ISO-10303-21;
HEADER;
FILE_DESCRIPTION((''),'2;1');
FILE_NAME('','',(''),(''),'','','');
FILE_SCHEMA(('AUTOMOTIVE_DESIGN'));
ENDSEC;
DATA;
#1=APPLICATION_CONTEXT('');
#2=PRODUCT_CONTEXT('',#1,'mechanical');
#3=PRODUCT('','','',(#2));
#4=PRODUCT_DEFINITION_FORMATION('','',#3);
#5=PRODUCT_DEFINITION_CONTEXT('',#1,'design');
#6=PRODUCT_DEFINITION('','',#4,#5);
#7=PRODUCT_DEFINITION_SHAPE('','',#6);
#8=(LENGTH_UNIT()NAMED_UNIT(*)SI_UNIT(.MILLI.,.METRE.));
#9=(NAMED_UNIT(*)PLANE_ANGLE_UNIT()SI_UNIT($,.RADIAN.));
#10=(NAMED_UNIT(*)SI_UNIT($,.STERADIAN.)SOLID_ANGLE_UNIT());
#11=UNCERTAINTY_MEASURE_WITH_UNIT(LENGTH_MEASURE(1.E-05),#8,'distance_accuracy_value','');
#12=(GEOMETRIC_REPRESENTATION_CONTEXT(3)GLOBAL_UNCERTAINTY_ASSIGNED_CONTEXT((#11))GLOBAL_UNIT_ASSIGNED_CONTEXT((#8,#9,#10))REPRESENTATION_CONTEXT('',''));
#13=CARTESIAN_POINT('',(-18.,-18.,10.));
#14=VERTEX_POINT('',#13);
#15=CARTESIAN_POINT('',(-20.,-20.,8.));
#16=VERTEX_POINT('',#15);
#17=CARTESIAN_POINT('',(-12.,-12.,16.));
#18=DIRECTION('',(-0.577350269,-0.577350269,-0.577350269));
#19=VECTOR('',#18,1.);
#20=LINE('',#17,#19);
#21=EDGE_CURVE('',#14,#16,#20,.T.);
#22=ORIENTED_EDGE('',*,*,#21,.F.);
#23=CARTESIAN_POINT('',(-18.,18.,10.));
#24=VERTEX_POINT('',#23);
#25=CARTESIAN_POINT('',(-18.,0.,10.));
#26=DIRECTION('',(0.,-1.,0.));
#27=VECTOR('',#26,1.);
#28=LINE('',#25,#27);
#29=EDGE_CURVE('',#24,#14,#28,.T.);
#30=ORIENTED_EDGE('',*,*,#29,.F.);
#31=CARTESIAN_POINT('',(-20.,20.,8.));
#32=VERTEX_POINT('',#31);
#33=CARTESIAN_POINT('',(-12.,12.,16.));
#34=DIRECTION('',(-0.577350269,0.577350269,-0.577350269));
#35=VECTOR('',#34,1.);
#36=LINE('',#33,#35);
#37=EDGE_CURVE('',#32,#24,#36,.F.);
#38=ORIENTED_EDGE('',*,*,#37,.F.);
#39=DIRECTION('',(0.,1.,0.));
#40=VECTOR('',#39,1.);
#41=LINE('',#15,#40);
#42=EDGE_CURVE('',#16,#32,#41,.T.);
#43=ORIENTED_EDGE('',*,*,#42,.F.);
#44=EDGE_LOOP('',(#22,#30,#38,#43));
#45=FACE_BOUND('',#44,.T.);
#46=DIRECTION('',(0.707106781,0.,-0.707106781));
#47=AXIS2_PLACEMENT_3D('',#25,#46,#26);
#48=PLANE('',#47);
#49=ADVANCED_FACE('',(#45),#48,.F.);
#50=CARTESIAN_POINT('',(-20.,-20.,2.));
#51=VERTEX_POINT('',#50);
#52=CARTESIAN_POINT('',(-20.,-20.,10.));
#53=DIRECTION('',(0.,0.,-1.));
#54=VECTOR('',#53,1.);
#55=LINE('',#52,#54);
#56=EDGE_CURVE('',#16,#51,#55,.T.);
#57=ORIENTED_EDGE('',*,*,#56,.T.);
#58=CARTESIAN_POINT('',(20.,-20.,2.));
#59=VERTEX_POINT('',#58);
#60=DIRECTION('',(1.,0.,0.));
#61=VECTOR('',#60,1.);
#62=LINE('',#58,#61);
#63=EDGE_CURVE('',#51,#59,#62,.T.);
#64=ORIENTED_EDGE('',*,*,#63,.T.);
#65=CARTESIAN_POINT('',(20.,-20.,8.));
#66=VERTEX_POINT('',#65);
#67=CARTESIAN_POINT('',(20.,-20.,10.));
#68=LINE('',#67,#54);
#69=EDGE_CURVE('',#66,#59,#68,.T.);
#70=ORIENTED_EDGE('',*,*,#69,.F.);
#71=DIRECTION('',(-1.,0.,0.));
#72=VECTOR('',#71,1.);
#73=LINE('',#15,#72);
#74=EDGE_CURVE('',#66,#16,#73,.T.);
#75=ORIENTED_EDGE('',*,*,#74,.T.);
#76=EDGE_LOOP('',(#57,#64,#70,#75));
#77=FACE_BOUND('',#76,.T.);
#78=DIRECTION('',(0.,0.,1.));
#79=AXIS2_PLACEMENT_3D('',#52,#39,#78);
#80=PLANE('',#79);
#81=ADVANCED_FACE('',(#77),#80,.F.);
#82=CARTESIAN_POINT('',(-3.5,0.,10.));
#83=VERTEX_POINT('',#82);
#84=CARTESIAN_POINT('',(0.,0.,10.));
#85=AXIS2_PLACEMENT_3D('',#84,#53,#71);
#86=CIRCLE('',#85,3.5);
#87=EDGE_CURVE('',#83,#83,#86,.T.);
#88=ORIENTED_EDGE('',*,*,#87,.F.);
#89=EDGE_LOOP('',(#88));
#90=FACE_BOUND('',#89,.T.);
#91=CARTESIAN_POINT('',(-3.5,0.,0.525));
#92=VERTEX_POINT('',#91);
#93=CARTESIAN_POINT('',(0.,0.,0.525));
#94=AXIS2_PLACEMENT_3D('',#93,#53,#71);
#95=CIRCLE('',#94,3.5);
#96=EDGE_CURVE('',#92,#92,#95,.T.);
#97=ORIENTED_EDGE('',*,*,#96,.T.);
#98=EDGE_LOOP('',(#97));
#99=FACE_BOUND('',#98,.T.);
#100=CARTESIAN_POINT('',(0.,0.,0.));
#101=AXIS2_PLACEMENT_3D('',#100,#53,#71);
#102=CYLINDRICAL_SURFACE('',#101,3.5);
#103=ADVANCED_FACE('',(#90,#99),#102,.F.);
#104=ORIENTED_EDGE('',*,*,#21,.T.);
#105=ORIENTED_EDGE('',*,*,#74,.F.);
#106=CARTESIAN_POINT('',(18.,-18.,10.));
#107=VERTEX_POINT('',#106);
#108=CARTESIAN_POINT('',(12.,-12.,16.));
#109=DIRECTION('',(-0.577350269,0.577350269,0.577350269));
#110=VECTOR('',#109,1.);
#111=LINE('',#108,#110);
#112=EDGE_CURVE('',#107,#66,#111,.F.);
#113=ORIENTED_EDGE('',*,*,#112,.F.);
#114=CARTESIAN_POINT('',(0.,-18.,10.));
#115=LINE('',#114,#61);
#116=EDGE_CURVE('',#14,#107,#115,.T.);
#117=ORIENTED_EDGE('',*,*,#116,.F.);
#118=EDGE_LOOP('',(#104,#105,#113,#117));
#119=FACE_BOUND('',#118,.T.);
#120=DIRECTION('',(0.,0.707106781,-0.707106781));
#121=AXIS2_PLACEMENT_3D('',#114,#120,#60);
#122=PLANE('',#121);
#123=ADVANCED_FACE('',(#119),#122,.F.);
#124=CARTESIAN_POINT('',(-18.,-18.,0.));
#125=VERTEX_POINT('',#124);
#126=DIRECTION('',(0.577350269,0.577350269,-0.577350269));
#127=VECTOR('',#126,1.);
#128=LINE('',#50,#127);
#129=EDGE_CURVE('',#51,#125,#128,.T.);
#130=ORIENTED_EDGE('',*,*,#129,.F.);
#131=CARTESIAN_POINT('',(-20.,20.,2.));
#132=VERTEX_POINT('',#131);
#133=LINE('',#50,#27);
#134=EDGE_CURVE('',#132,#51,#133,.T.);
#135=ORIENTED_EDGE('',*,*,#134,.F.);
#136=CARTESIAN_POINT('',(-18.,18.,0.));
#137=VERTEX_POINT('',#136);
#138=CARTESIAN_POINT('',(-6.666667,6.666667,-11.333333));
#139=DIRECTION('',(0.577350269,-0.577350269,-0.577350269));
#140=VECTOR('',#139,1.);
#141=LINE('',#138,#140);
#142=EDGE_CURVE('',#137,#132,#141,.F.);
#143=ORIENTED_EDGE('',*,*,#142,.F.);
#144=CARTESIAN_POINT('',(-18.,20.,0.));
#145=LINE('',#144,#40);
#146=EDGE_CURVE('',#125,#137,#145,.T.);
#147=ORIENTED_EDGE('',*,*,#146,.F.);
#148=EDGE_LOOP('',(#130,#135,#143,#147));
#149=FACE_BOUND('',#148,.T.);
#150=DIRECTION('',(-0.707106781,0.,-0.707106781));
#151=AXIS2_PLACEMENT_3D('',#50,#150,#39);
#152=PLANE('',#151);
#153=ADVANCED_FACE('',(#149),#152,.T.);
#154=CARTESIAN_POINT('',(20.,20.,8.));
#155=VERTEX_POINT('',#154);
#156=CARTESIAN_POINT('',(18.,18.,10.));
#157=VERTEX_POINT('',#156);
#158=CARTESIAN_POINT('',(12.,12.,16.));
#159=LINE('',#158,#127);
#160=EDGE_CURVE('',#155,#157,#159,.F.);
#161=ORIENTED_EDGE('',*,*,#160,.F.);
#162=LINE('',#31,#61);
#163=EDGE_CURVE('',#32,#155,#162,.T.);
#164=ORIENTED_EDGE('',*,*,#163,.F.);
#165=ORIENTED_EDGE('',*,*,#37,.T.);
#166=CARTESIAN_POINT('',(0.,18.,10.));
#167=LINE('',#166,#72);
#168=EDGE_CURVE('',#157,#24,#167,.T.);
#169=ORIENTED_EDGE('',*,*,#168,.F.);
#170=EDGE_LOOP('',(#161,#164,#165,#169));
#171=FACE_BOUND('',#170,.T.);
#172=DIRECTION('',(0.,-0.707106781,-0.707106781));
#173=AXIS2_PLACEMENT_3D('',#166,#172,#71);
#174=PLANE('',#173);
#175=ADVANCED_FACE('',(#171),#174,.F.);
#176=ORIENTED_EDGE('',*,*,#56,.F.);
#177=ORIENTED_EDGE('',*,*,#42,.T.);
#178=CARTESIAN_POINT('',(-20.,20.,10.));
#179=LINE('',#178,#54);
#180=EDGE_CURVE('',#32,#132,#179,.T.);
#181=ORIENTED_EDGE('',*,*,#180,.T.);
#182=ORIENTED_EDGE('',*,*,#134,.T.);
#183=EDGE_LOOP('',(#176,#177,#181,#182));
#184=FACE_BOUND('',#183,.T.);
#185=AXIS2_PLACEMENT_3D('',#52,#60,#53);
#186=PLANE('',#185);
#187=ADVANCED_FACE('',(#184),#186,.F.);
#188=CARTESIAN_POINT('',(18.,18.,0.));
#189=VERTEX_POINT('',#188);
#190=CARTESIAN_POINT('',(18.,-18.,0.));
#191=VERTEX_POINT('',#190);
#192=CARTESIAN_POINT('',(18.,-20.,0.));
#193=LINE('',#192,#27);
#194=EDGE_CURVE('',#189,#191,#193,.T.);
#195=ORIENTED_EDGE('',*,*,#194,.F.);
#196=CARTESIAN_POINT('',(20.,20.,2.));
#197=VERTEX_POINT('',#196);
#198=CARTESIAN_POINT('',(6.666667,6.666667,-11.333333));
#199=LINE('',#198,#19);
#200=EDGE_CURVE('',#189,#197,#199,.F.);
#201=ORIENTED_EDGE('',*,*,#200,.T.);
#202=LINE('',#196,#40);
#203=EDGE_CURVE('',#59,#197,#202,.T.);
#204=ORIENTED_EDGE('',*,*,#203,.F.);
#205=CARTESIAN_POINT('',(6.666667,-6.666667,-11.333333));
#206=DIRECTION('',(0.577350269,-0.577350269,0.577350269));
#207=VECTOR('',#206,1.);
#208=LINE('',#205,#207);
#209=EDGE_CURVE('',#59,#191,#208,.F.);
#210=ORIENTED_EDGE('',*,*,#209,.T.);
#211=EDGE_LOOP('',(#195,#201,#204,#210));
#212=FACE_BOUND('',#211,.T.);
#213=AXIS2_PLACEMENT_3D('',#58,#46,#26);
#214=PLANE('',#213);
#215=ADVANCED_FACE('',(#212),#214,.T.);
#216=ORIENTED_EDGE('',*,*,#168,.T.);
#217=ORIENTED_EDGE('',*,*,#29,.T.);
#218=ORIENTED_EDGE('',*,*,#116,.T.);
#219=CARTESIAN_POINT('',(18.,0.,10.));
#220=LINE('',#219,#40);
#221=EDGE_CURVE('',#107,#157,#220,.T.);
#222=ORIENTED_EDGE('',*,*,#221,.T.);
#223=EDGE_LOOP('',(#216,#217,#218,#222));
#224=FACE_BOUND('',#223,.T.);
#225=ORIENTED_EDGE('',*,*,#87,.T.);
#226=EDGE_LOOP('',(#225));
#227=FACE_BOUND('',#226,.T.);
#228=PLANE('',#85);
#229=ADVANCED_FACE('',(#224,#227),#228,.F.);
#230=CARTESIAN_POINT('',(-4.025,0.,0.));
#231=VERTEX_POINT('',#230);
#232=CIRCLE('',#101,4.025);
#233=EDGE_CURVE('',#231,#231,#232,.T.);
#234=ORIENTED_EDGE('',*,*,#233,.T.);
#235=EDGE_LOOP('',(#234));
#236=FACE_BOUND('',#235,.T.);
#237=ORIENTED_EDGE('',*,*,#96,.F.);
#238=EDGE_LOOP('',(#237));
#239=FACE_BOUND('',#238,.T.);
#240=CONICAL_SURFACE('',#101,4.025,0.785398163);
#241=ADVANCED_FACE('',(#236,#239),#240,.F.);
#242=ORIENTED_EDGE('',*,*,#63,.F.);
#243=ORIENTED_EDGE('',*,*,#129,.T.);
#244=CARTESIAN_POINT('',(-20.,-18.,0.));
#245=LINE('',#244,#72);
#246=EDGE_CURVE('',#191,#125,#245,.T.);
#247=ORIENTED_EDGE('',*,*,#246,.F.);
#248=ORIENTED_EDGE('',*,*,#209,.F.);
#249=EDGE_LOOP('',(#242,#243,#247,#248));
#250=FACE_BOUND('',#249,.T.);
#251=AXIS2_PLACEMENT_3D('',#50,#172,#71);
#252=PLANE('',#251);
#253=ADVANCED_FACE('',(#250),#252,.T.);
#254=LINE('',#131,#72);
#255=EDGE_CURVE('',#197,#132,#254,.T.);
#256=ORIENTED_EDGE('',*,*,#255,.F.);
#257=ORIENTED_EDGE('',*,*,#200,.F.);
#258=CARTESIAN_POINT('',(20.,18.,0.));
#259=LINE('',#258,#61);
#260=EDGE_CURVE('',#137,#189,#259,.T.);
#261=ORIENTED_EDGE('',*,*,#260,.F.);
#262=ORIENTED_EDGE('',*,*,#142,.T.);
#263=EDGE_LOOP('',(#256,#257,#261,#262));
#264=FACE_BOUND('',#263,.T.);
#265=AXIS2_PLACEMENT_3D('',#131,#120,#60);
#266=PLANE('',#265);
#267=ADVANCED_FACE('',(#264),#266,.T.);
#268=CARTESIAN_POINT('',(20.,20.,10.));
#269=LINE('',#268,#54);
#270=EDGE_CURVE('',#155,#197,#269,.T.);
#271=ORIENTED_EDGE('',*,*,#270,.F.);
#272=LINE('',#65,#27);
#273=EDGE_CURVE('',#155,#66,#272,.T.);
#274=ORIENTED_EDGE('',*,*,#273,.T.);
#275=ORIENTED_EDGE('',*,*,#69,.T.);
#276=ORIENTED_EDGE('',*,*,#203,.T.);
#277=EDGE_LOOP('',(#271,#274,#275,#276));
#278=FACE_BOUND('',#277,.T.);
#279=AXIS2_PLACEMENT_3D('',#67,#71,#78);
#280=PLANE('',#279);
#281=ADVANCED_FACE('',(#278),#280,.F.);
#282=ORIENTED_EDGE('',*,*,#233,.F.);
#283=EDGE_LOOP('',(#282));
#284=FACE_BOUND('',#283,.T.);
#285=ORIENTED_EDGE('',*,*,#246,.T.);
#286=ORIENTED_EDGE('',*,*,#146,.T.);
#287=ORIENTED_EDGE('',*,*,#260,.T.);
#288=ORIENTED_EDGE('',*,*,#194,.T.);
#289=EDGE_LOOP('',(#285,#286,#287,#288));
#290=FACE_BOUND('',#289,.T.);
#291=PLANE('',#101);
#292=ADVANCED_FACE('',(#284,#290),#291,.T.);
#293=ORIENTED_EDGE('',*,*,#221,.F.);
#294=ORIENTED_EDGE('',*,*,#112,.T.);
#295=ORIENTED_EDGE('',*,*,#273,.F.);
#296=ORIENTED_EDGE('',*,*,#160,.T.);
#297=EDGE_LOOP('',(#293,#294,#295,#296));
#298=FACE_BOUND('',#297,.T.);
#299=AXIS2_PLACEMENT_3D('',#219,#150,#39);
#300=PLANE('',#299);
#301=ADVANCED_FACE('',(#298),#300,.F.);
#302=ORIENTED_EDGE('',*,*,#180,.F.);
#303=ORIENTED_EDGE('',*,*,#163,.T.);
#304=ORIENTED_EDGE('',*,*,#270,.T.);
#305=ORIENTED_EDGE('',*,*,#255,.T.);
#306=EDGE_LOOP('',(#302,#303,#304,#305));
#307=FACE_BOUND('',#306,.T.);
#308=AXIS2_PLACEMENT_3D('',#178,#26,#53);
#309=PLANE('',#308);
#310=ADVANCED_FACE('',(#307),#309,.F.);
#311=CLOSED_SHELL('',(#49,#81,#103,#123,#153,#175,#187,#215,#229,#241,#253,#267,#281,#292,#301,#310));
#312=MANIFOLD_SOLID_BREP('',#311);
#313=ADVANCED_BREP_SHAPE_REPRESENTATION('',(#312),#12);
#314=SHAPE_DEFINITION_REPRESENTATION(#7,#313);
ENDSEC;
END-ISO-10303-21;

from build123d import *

# Parameters (mm, degrees)
SKETCH1_W                       = 40
SKETCH1_H                       = 40
BOSS_EXTRUDE1_DEPTH             = 10
M8X1_0_TAPPED_HOLE1_D           = 7
M8X1_0_TAPPED_HOLE1_CSINK_D     = 8.05
M8X1_0_TAPPED_HOLE1_CSINK_ANGLE = 90
CHAMFER1_SIZE                   = 2


with BuildPart() as part:
    # Sketch1 → Boss-Extrude1 (new body)
    with BuildSketch(Plane.XY):
        Rectangle(SKETCH1_W, SKETCH1_H)
    extrude(amount=BOSS_EXTRUDE1_DEPTH)

    # M8x1.0 Tapped Hole1 (through all)
    with Locations(Plane(origin=(0, 0, 0), x_dir=(-1, 0, 0), z_dir=(0, 0, -1))):
        with Locations((0, 0)):
            CounterSinkHole(M8X1_0_TAPPED_HOLE1_D / 2, M8X1_0_TAPPED_HOLE1_CSINK_D / 2, counter_sink_angle=M8X1_0_TAPPED_HOLE1_CSINK_ANGLE)

    # Chamfer1
    chamfer1_edges = [part.edges().sort_by_distance(p)[0] for p in [
        (-20, 0, 10),
        (0, -20, 10),
        (20, 0, 10),
        (0, -20, 0),
        (-20, 0, 0),
        (0, 20, 0),
        (20, 0, 0),
        (0, 20, 10),
    ]]
    chamfer(chamfer1_edges, length=CHAMFER1_SIZE)


solid = part.part
